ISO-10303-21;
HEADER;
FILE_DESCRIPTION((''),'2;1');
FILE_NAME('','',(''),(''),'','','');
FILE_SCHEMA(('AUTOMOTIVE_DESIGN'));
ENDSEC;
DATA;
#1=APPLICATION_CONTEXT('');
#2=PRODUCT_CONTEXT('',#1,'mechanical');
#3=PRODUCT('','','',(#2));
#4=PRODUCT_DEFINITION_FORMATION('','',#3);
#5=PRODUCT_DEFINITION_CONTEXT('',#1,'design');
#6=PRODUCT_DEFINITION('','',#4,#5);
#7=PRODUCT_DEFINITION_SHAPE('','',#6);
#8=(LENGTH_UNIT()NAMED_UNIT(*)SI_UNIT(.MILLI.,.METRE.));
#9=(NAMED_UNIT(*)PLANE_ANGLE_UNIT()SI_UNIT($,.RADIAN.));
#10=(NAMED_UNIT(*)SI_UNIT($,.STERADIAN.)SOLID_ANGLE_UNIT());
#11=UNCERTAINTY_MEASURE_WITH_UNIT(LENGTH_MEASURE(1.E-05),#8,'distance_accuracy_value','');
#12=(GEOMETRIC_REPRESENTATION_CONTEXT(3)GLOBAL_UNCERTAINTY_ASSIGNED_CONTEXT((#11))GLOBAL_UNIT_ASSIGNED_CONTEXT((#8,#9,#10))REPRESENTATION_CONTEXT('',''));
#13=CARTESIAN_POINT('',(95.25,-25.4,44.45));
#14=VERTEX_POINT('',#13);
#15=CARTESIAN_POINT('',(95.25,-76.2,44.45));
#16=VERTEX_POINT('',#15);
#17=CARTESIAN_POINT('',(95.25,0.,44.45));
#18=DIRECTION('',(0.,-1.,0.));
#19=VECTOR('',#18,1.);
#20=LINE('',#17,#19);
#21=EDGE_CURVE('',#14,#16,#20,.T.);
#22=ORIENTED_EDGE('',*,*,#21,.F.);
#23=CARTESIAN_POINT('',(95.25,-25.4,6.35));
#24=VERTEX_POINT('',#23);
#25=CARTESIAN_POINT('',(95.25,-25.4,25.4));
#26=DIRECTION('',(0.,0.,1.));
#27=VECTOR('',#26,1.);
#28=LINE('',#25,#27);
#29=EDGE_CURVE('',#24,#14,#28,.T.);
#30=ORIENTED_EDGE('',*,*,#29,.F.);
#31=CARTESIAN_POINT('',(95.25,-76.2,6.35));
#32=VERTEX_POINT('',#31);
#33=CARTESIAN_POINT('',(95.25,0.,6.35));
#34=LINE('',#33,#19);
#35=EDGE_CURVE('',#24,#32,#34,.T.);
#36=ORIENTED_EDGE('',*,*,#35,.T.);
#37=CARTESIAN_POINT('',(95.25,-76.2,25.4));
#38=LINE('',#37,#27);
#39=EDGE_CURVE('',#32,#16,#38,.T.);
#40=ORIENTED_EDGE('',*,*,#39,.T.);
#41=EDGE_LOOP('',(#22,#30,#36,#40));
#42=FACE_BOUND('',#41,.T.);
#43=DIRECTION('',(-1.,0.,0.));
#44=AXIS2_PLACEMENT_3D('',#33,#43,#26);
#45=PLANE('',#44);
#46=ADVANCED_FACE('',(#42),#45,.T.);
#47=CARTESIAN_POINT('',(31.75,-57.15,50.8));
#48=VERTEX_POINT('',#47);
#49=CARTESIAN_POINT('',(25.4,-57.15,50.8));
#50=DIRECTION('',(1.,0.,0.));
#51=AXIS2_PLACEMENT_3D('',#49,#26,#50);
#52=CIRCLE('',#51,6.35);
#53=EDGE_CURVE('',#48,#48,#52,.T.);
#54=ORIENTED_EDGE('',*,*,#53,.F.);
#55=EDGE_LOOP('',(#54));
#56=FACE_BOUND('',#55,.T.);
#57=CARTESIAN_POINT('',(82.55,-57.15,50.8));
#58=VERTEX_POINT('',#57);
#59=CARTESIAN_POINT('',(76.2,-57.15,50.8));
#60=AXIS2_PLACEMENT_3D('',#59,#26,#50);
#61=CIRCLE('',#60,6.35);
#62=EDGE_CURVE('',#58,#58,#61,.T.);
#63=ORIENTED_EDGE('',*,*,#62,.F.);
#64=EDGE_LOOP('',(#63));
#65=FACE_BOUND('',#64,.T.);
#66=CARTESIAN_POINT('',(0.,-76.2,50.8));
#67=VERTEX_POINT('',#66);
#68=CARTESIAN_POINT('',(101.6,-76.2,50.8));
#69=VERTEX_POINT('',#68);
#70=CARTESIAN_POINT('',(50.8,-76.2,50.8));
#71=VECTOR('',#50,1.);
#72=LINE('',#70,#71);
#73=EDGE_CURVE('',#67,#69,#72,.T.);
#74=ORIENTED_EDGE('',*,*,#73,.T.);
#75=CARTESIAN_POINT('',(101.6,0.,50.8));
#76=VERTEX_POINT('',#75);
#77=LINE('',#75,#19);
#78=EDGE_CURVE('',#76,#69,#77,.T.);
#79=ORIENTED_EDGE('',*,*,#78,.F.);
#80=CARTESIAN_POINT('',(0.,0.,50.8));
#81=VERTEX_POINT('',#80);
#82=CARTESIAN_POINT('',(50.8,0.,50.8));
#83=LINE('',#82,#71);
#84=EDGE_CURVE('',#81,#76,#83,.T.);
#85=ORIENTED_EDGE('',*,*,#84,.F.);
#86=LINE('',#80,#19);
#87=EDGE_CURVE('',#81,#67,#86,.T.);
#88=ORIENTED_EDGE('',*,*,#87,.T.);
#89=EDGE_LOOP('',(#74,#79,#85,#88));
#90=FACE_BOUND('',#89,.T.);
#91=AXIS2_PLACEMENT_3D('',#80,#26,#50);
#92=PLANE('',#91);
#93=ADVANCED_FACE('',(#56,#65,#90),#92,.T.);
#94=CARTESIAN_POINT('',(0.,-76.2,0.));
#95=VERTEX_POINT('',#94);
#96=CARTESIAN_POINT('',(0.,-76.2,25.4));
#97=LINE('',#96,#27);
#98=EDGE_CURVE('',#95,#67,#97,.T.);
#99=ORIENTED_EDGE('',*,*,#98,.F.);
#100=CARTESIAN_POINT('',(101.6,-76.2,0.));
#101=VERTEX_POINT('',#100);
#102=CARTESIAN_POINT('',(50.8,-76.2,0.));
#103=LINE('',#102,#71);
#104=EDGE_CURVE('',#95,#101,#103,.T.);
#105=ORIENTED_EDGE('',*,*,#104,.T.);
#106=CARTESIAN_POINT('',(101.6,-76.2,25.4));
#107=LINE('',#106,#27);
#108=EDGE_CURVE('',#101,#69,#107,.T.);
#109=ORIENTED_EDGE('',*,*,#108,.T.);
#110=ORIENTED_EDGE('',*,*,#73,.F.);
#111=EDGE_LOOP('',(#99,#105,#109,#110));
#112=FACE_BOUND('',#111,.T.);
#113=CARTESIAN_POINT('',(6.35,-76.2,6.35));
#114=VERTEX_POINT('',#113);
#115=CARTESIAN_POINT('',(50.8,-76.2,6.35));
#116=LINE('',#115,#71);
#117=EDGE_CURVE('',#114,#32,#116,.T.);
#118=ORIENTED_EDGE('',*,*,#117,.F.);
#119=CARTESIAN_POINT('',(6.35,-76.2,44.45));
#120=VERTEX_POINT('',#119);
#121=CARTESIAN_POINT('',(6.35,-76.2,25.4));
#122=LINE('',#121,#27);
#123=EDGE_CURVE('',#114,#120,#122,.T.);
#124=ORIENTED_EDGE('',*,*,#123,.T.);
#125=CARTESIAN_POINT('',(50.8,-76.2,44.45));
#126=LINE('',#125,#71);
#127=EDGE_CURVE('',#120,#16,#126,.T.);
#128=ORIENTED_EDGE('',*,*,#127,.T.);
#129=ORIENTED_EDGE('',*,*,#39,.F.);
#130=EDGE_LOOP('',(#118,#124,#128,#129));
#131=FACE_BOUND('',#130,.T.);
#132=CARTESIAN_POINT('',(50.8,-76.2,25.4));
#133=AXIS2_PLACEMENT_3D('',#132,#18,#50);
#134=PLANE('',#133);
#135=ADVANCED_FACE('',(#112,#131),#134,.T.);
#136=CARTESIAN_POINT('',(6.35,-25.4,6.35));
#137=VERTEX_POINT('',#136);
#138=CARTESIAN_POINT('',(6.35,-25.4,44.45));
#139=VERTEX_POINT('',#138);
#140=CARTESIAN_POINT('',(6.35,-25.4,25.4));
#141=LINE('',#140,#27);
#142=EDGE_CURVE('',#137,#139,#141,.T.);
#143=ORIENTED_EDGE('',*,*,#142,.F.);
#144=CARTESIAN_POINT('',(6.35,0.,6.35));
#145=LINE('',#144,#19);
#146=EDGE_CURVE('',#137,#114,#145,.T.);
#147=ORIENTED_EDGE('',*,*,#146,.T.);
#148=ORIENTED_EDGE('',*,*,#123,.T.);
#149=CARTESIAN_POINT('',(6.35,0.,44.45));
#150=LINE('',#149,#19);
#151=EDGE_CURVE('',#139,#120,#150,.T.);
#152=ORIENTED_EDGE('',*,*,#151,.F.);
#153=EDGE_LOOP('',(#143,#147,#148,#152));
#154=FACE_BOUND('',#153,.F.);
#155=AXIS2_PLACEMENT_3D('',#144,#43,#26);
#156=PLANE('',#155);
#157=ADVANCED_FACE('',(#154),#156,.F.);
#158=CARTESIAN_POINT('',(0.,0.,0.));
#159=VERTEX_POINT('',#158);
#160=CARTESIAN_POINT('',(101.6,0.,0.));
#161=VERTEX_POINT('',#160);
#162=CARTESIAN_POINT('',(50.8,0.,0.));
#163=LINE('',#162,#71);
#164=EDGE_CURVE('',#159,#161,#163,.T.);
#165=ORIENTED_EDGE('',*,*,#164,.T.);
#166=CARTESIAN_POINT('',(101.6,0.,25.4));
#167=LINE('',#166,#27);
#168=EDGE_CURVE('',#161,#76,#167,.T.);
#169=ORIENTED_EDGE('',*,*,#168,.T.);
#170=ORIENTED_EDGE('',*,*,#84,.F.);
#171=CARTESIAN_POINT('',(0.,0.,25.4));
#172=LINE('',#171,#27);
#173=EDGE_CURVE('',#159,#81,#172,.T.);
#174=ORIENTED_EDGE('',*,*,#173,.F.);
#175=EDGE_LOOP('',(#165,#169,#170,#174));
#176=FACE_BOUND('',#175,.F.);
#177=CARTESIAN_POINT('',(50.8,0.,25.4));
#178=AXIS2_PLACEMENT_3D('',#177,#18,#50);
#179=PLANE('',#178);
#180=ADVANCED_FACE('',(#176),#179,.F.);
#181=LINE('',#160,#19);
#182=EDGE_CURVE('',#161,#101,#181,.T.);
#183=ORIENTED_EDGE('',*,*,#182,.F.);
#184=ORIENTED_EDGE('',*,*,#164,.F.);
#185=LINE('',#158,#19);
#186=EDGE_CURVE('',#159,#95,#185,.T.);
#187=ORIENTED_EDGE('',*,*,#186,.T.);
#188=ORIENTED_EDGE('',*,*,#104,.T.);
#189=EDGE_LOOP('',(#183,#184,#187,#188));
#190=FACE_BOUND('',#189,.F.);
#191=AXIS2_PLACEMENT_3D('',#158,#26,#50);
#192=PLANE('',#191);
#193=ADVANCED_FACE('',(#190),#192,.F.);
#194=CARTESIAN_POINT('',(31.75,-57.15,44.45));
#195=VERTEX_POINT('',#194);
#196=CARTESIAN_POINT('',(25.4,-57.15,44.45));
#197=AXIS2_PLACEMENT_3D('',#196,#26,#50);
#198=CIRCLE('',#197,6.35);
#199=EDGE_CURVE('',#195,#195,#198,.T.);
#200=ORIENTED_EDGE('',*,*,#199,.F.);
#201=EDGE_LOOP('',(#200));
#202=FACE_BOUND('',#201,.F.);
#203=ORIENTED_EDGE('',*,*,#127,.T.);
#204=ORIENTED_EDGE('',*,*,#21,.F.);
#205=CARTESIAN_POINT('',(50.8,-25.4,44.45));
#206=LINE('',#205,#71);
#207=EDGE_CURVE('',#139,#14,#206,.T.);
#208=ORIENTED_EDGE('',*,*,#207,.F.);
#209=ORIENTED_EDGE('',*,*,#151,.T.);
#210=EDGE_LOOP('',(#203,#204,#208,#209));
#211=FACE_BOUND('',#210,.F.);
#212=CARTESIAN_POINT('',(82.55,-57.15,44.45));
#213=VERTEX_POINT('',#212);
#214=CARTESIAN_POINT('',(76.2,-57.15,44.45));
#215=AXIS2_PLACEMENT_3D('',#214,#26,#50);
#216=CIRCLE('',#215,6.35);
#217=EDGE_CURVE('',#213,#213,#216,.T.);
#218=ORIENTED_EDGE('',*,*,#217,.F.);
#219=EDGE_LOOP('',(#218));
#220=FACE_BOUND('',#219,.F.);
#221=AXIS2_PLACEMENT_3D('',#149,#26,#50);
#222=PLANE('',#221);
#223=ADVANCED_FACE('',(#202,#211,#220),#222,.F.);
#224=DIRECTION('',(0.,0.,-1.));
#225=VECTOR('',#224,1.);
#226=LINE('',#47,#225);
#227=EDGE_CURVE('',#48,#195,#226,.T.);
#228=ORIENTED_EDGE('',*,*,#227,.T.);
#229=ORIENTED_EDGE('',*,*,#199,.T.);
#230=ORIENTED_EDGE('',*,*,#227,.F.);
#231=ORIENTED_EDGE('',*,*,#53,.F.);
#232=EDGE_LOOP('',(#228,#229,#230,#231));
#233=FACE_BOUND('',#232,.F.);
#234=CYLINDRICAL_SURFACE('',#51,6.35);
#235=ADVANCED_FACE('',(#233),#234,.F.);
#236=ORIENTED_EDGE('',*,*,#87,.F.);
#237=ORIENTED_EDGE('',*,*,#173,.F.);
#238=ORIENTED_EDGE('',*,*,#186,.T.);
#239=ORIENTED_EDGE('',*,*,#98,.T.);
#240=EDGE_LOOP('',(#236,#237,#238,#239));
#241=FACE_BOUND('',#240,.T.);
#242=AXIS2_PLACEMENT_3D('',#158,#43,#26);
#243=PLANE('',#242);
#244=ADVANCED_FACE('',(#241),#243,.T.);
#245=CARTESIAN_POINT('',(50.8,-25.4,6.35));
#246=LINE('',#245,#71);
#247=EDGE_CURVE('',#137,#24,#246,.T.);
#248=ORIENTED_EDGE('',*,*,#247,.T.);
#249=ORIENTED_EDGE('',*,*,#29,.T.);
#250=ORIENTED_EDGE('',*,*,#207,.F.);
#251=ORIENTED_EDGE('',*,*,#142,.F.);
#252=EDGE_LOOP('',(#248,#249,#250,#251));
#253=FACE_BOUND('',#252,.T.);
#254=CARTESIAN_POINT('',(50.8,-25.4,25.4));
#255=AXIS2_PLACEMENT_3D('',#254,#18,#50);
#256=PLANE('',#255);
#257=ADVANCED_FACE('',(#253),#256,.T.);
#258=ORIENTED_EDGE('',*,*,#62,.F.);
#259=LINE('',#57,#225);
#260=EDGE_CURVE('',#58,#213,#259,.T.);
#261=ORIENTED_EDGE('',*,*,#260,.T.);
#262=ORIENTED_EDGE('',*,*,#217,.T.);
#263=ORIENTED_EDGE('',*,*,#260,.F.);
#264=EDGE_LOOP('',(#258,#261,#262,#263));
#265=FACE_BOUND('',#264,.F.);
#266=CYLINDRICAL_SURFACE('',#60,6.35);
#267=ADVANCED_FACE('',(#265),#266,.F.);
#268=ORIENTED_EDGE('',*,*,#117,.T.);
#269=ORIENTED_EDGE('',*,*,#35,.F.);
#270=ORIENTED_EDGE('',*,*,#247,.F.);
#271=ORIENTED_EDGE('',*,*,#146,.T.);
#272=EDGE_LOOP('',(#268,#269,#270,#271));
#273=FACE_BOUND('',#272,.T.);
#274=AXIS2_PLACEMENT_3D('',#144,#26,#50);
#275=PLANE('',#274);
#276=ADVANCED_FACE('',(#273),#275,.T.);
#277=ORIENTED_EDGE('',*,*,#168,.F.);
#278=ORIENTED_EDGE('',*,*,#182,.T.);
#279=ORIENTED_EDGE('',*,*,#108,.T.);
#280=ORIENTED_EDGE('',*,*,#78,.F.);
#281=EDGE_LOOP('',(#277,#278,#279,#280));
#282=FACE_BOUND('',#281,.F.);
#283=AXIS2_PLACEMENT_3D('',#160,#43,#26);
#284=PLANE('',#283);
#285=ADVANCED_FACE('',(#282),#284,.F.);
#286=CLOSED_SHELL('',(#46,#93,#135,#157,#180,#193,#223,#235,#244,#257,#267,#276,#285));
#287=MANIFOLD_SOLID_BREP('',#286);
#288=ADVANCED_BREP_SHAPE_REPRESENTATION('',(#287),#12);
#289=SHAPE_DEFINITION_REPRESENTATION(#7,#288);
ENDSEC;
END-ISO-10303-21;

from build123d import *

# Parameters (mm, degrees)
F0_W     = 101.6
F0_H     = 50.8
F0_W_2   = 88.9
F0_H_2   = 38.1
F1_DEPTH = 76.2
F2_W     = 88.9
F2_H     = 38.1
F3_DEPTH = 25.4
F4_R     = 6.35
F5_DEPTH = 25.4


with BuildPart() as f1:
    # F0 (on Front) → F1 (new body)
    with BuildSketch(Plane.XZ):
        with Locations((50.8, 25.4)):
            Rectangle(F0_W, F0_H)
        with Locations((50.8, 25.4)):
            Rectangle(F0_W_2, F0_H_2, mode=Mode.SUBTRACT)
    extrude(amount=F1_DEPTH)

    # F2 (on Front) → F3 (join)
    with BuildSketch(Plane.XZ):
        with Locations((50.8, 25.4)):
            Rectangle(F2_W, F2_H)
    extrude(amount=F3_DEPTH)

    # F4 (on face) → F5 (cut)
    with BuildSketch(Plane.XY.offset(50.8)):
        with Locations((25.4, -57.15)):
            Circle(F4_R)
        with Locations((76.2, -57.15)):
            Circle(F4_R)
    extrude(amount=-F5_DEPTH, mode=Mode.SUBTRACT)


solid = f1.part
